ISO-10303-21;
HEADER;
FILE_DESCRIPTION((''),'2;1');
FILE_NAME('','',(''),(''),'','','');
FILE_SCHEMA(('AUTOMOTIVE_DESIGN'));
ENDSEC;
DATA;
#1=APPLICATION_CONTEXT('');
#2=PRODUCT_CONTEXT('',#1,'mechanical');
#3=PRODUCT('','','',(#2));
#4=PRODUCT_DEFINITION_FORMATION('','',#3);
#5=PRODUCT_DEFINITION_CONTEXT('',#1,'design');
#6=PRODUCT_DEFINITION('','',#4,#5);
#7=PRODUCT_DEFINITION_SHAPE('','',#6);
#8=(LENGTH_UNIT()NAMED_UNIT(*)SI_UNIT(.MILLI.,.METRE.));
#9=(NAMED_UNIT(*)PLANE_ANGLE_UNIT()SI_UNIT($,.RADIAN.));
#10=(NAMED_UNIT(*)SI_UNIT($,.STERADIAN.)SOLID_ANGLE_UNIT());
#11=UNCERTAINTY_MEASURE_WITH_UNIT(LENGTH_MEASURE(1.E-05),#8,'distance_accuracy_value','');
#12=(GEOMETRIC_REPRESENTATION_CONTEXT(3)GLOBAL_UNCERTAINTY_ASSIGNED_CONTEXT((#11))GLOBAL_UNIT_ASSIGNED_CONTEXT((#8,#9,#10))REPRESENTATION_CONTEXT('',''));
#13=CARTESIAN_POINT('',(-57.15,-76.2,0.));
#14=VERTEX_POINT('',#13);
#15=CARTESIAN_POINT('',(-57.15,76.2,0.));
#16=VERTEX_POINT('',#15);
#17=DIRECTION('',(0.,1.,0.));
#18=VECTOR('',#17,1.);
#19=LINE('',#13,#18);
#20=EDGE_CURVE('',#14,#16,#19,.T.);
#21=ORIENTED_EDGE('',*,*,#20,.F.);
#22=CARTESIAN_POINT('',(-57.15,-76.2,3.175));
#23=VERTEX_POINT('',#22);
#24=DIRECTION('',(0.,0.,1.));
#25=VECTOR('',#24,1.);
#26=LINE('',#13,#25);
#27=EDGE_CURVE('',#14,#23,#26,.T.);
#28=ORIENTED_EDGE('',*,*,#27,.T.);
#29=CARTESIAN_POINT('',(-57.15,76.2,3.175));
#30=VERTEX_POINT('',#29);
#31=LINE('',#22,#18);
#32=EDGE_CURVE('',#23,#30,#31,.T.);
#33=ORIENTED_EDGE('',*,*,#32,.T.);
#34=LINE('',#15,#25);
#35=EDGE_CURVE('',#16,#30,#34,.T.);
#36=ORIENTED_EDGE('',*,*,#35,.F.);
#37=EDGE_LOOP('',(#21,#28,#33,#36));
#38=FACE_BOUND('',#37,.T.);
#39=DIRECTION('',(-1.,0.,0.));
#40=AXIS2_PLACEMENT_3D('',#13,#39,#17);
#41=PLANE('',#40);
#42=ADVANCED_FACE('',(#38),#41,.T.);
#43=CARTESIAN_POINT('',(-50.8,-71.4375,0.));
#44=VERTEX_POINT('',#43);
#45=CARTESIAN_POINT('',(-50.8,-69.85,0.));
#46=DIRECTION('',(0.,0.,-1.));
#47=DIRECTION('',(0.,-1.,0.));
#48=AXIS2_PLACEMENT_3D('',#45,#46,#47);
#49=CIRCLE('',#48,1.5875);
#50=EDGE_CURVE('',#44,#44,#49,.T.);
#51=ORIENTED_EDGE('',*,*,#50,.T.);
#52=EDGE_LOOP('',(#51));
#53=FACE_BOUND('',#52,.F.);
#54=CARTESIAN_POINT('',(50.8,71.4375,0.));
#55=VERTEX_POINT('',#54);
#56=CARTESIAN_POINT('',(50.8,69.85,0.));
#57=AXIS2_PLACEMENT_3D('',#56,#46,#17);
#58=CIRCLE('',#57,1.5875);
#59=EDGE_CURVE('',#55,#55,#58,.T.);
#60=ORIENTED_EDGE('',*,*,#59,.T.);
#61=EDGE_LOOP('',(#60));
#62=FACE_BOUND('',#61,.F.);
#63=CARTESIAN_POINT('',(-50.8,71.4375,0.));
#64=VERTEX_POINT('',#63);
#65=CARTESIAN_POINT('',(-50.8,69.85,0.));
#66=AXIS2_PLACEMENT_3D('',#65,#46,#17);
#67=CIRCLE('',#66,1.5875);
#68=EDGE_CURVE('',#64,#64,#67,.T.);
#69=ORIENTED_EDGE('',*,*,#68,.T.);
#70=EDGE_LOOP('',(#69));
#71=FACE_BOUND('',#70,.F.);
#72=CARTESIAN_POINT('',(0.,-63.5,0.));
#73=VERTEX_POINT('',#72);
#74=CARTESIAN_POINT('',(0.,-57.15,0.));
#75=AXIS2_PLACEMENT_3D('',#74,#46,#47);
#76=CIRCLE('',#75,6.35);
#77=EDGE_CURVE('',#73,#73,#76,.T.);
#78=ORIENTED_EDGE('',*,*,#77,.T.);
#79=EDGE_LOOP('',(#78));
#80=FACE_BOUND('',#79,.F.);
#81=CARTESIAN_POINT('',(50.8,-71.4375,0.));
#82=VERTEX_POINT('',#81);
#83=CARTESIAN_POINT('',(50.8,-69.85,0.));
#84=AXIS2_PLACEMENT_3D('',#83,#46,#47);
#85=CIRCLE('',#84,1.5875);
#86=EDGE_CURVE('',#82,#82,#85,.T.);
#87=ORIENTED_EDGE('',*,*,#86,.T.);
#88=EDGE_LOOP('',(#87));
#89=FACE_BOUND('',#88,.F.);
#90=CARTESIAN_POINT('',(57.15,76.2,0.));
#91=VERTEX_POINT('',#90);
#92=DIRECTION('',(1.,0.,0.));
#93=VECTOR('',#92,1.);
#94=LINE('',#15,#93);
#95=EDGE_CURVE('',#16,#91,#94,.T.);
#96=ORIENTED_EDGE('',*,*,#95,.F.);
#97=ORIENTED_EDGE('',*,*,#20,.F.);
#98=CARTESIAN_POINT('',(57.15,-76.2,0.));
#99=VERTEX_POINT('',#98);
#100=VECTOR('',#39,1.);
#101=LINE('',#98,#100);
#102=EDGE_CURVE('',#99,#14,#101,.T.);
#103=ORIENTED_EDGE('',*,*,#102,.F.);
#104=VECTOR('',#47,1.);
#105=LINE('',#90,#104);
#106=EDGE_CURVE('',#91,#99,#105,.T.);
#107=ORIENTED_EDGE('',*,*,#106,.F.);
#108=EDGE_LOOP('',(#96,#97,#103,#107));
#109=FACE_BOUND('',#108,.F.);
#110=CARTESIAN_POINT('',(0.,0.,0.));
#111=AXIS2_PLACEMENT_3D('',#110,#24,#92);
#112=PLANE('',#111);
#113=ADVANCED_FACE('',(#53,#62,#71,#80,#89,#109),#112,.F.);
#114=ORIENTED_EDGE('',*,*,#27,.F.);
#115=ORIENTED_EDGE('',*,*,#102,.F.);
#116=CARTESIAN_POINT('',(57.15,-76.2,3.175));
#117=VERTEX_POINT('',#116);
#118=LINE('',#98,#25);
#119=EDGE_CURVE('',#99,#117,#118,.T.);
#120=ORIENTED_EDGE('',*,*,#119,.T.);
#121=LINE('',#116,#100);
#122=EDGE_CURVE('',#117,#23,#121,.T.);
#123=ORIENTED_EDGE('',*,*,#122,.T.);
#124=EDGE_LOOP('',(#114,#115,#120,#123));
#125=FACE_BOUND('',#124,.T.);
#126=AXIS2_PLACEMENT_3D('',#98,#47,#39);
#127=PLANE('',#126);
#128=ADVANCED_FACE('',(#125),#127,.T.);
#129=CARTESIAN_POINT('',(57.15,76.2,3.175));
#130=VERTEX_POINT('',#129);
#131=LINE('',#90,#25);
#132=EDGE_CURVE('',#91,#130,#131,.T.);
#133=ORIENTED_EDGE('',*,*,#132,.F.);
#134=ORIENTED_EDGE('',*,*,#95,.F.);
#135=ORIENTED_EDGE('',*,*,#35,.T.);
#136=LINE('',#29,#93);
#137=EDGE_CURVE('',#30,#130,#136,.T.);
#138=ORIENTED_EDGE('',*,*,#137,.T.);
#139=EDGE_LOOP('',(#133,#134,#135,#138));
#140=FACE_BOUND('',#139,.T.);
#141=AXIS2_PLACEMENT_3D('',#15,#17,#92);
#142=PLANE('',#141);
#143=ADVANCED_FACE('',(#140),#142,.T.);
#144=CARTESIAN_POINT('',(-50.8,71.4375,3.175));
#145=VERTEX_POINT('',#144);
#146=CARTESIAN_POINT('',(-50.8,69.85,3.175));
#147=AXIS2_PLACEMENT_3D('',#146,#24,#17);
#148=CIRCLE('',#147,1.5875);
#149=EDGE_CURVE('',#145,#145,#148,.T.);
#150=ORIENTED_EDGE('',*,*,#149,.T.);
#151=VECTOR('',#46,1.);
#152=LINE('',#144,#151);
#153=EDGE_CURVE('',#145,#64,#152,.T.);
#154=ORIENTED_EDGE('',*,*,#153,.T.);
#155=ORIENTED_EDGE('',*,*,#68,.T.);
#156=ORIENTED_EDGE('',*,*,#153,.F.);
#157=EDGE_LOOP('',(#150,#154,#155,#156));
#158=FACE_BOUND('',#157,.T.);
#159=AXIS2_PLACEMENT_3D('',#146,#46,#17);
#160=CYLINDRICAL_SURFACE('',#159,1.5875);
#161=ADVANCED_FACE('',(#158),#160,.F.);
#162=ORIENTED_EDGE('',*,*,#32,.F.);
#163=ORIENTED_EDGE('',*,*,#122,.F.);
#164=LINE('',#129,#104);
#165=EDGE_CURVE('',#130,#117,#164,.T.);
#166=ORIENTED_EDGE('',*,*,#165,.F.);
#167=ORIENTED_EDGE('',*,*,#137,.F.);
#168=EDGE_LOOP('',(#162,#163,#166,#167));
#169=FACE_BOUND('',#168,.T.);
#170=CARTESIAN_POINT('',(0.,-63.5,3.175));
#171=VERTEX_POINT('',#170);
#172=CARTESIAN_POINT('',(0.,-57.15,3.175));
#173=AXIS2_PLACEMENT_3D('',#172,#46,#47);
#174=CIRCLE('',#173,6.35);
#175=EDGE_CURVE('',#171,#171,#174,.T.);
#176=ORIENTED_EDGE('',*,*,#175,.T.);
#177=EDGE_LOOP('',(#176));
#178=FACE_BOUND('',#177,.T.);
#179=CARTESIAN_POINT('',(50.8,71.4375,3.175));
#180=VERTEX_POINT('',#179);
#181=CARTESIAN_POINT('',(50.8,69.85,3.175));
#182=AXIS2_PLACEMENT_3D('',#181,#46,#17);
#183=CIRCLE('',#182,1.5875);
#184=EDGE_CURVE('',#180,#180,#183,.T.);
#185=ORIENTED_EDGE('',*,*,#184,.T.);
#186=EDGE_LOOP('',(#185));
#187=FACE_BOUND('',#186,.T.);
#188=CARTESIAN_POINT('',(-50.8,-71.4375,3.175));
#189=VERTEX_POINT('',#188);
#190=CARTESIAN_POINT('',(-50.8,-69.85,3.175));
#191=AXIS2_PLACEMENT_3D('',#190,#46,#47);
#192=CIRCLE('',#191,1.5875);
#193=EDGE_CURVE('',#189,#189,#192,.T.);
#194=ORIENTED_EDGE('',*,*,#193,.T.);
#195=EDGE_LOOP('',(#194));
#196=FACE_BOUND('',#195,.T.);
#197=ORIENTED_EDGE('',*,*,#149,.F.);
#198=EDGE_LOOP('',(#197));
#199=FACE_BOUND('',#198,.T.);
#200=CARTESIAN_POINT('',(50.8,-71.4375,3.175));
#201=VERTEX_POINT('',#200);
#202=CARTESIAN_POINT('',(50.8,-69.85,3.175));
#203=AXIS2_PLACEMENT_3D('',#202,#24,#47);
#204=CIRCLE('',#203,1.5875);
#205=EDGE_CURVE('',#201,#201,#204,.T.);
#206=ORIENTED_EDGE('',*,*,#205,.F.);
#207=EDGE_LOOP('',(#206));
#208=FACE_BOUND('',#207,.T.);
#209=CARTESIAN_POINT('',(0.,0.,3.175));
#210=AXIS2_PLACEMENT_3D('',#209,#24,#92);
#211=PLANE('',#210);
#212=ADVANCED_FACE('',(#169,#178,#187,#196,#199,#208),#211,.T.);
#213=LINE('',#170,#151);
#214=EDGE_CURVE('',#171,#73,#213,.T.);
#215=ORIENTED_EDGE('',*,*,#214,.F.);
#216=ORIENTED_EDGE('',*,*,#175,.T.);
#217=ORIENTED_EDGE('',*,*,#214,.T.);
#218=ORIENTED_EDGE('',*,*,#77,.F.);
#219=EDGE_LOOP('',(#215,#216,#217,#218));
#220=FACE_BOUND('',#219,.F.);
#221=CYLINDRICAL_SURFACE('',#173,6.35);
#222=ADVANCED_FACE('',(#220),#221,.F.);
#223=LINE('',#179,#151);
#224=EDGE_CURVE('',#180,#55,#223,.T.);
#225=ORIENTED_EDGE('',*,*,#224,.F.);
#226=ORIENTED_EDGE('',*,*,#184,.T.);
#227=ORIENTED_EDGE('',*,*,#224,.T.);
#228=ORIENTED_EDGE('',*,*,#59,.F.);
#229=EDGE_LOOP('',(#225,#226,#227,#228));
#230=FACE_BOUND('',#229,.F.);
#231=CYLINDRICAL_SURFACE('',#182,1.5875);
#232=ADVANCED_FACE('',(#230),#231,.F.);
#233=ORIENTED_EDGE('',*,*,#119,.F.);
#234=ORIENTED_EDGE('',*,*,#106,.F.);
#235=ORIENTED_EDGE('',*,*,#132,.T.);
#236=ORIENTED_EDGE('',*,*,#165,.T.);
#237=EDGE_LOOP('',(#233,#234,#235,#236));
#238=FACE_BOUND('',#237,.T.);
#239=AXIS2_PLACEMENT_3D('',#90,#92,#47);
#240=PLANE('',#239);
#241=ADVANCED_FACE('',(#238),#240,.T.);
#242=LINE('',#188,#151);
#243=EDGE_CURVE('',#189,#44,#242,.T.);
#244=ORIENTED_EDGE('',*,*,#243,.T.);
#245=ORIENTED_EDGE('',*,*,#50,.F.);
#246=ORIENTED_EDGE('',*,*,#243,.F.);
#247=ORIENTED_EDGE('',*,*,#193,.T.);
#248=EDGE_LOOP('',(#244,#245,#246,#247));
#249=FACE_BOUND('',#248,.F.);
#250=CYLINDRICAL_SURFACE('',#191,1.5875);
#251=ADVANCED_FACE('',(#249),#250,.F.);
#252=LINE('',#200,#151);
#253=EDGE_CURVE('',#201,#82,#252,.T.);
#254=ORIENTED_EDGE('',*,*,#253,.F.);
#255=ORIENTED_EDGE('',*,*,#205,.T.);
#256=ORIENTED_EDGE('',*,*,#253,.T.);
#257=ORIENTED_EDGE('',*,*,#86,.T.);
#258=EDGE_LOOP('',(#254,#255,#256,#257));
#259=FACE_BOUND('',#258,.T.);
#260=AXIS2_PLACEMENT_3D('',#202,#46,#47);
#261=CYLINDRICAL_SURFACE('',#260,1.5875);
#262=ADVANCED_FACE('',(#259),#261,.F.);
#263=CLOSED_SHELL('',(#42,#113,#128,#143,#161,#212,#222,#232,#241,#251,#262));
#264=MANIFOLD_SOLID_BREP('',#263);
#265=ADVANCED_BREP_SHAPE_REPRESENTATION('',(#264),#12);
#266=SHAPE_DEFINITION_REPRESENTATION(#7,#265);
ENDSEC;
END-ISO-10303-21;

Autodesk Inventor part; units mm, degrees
ref_plane "YZ Plane" through (0, 0, 0) normal (1, 0, 0) x (0, 1, 0)
ref_plane "XZ Plane" through (0, 0, 0) normal (0, 1, 0) x (-1, 0, 0)
ref_plane "XY Plane" through (0, 0, 0) normal (0, 0, 1) x (1, 0, 0)
sketch "Sketch1" plane through (0, 0, 0) normal (0, 0, 1) x (1, 0, 0)
  line L0 (0, 0) -> (0, 40.5449) construction
  line L1 (0, 0) -> (42.3786, 0) construction
  line L2 (-57.15, 76.2) -> (57.15, 76.2)
  line L3 (57.15, 76.2) -> (57.15, -76.2)
  line L4 (57.15, -76.2) -> (-57.15, -76.2)
  line L5 (-57.15, -76.2) -> (-57.15, 76.2)
  dimension "d0" = 152.4
  dimension "d1" = 114.3
extrude "Extrusion1" add sketch "Sketch1" along normal blind 3.175
sketch "Sketch2" plane through (0, 0, 3.175) normal (0, 0, 1) x (1, 0, 0)
  line L0 (-57.15, 76.2) -> (-57.15, -76.2) projected
  line L1 (-57.15, -76.2) -> (57.15, -76.2) projected
  point P0 (0, 0)
  point P1 (0, -57.15)
  dimension "d5" = 57.15
  dimension "d22" = 19.05
hole "Hole1" at (0, -57.15, 3.175) direction (0, 0, -1) diameter 12.7 end through all
sketch "Sketch3" plane through (0, 0, 3.175) normal (0, 0, 1) x (1, 0, 0)
  line L0 (-57.15, -76.2) -> (57.15, -76.2) projected
  line L1 (-57.15, 76.2) -> (-57.15, -76.2) projected
  point P0 (0, 0)
  point P1 (-50.8, -69.85)
  dimension "d13" = 6.35
  dimension "d14" = 6.35
hole "Hole2" at (-50.8, -69.85, 3.175) direction (0, 0, -1) diameter 3.175 end through all
mirror "Mirror1" about plane through (0, 0, 0) normal (1, 0, 0) of "Hole2"
mirror "Mirror2" about plane through (0, 0, 0) normal (0, 1, 0) of "Hole2", "Mirror1"
properties part number "GearBoxFrontPlate"
